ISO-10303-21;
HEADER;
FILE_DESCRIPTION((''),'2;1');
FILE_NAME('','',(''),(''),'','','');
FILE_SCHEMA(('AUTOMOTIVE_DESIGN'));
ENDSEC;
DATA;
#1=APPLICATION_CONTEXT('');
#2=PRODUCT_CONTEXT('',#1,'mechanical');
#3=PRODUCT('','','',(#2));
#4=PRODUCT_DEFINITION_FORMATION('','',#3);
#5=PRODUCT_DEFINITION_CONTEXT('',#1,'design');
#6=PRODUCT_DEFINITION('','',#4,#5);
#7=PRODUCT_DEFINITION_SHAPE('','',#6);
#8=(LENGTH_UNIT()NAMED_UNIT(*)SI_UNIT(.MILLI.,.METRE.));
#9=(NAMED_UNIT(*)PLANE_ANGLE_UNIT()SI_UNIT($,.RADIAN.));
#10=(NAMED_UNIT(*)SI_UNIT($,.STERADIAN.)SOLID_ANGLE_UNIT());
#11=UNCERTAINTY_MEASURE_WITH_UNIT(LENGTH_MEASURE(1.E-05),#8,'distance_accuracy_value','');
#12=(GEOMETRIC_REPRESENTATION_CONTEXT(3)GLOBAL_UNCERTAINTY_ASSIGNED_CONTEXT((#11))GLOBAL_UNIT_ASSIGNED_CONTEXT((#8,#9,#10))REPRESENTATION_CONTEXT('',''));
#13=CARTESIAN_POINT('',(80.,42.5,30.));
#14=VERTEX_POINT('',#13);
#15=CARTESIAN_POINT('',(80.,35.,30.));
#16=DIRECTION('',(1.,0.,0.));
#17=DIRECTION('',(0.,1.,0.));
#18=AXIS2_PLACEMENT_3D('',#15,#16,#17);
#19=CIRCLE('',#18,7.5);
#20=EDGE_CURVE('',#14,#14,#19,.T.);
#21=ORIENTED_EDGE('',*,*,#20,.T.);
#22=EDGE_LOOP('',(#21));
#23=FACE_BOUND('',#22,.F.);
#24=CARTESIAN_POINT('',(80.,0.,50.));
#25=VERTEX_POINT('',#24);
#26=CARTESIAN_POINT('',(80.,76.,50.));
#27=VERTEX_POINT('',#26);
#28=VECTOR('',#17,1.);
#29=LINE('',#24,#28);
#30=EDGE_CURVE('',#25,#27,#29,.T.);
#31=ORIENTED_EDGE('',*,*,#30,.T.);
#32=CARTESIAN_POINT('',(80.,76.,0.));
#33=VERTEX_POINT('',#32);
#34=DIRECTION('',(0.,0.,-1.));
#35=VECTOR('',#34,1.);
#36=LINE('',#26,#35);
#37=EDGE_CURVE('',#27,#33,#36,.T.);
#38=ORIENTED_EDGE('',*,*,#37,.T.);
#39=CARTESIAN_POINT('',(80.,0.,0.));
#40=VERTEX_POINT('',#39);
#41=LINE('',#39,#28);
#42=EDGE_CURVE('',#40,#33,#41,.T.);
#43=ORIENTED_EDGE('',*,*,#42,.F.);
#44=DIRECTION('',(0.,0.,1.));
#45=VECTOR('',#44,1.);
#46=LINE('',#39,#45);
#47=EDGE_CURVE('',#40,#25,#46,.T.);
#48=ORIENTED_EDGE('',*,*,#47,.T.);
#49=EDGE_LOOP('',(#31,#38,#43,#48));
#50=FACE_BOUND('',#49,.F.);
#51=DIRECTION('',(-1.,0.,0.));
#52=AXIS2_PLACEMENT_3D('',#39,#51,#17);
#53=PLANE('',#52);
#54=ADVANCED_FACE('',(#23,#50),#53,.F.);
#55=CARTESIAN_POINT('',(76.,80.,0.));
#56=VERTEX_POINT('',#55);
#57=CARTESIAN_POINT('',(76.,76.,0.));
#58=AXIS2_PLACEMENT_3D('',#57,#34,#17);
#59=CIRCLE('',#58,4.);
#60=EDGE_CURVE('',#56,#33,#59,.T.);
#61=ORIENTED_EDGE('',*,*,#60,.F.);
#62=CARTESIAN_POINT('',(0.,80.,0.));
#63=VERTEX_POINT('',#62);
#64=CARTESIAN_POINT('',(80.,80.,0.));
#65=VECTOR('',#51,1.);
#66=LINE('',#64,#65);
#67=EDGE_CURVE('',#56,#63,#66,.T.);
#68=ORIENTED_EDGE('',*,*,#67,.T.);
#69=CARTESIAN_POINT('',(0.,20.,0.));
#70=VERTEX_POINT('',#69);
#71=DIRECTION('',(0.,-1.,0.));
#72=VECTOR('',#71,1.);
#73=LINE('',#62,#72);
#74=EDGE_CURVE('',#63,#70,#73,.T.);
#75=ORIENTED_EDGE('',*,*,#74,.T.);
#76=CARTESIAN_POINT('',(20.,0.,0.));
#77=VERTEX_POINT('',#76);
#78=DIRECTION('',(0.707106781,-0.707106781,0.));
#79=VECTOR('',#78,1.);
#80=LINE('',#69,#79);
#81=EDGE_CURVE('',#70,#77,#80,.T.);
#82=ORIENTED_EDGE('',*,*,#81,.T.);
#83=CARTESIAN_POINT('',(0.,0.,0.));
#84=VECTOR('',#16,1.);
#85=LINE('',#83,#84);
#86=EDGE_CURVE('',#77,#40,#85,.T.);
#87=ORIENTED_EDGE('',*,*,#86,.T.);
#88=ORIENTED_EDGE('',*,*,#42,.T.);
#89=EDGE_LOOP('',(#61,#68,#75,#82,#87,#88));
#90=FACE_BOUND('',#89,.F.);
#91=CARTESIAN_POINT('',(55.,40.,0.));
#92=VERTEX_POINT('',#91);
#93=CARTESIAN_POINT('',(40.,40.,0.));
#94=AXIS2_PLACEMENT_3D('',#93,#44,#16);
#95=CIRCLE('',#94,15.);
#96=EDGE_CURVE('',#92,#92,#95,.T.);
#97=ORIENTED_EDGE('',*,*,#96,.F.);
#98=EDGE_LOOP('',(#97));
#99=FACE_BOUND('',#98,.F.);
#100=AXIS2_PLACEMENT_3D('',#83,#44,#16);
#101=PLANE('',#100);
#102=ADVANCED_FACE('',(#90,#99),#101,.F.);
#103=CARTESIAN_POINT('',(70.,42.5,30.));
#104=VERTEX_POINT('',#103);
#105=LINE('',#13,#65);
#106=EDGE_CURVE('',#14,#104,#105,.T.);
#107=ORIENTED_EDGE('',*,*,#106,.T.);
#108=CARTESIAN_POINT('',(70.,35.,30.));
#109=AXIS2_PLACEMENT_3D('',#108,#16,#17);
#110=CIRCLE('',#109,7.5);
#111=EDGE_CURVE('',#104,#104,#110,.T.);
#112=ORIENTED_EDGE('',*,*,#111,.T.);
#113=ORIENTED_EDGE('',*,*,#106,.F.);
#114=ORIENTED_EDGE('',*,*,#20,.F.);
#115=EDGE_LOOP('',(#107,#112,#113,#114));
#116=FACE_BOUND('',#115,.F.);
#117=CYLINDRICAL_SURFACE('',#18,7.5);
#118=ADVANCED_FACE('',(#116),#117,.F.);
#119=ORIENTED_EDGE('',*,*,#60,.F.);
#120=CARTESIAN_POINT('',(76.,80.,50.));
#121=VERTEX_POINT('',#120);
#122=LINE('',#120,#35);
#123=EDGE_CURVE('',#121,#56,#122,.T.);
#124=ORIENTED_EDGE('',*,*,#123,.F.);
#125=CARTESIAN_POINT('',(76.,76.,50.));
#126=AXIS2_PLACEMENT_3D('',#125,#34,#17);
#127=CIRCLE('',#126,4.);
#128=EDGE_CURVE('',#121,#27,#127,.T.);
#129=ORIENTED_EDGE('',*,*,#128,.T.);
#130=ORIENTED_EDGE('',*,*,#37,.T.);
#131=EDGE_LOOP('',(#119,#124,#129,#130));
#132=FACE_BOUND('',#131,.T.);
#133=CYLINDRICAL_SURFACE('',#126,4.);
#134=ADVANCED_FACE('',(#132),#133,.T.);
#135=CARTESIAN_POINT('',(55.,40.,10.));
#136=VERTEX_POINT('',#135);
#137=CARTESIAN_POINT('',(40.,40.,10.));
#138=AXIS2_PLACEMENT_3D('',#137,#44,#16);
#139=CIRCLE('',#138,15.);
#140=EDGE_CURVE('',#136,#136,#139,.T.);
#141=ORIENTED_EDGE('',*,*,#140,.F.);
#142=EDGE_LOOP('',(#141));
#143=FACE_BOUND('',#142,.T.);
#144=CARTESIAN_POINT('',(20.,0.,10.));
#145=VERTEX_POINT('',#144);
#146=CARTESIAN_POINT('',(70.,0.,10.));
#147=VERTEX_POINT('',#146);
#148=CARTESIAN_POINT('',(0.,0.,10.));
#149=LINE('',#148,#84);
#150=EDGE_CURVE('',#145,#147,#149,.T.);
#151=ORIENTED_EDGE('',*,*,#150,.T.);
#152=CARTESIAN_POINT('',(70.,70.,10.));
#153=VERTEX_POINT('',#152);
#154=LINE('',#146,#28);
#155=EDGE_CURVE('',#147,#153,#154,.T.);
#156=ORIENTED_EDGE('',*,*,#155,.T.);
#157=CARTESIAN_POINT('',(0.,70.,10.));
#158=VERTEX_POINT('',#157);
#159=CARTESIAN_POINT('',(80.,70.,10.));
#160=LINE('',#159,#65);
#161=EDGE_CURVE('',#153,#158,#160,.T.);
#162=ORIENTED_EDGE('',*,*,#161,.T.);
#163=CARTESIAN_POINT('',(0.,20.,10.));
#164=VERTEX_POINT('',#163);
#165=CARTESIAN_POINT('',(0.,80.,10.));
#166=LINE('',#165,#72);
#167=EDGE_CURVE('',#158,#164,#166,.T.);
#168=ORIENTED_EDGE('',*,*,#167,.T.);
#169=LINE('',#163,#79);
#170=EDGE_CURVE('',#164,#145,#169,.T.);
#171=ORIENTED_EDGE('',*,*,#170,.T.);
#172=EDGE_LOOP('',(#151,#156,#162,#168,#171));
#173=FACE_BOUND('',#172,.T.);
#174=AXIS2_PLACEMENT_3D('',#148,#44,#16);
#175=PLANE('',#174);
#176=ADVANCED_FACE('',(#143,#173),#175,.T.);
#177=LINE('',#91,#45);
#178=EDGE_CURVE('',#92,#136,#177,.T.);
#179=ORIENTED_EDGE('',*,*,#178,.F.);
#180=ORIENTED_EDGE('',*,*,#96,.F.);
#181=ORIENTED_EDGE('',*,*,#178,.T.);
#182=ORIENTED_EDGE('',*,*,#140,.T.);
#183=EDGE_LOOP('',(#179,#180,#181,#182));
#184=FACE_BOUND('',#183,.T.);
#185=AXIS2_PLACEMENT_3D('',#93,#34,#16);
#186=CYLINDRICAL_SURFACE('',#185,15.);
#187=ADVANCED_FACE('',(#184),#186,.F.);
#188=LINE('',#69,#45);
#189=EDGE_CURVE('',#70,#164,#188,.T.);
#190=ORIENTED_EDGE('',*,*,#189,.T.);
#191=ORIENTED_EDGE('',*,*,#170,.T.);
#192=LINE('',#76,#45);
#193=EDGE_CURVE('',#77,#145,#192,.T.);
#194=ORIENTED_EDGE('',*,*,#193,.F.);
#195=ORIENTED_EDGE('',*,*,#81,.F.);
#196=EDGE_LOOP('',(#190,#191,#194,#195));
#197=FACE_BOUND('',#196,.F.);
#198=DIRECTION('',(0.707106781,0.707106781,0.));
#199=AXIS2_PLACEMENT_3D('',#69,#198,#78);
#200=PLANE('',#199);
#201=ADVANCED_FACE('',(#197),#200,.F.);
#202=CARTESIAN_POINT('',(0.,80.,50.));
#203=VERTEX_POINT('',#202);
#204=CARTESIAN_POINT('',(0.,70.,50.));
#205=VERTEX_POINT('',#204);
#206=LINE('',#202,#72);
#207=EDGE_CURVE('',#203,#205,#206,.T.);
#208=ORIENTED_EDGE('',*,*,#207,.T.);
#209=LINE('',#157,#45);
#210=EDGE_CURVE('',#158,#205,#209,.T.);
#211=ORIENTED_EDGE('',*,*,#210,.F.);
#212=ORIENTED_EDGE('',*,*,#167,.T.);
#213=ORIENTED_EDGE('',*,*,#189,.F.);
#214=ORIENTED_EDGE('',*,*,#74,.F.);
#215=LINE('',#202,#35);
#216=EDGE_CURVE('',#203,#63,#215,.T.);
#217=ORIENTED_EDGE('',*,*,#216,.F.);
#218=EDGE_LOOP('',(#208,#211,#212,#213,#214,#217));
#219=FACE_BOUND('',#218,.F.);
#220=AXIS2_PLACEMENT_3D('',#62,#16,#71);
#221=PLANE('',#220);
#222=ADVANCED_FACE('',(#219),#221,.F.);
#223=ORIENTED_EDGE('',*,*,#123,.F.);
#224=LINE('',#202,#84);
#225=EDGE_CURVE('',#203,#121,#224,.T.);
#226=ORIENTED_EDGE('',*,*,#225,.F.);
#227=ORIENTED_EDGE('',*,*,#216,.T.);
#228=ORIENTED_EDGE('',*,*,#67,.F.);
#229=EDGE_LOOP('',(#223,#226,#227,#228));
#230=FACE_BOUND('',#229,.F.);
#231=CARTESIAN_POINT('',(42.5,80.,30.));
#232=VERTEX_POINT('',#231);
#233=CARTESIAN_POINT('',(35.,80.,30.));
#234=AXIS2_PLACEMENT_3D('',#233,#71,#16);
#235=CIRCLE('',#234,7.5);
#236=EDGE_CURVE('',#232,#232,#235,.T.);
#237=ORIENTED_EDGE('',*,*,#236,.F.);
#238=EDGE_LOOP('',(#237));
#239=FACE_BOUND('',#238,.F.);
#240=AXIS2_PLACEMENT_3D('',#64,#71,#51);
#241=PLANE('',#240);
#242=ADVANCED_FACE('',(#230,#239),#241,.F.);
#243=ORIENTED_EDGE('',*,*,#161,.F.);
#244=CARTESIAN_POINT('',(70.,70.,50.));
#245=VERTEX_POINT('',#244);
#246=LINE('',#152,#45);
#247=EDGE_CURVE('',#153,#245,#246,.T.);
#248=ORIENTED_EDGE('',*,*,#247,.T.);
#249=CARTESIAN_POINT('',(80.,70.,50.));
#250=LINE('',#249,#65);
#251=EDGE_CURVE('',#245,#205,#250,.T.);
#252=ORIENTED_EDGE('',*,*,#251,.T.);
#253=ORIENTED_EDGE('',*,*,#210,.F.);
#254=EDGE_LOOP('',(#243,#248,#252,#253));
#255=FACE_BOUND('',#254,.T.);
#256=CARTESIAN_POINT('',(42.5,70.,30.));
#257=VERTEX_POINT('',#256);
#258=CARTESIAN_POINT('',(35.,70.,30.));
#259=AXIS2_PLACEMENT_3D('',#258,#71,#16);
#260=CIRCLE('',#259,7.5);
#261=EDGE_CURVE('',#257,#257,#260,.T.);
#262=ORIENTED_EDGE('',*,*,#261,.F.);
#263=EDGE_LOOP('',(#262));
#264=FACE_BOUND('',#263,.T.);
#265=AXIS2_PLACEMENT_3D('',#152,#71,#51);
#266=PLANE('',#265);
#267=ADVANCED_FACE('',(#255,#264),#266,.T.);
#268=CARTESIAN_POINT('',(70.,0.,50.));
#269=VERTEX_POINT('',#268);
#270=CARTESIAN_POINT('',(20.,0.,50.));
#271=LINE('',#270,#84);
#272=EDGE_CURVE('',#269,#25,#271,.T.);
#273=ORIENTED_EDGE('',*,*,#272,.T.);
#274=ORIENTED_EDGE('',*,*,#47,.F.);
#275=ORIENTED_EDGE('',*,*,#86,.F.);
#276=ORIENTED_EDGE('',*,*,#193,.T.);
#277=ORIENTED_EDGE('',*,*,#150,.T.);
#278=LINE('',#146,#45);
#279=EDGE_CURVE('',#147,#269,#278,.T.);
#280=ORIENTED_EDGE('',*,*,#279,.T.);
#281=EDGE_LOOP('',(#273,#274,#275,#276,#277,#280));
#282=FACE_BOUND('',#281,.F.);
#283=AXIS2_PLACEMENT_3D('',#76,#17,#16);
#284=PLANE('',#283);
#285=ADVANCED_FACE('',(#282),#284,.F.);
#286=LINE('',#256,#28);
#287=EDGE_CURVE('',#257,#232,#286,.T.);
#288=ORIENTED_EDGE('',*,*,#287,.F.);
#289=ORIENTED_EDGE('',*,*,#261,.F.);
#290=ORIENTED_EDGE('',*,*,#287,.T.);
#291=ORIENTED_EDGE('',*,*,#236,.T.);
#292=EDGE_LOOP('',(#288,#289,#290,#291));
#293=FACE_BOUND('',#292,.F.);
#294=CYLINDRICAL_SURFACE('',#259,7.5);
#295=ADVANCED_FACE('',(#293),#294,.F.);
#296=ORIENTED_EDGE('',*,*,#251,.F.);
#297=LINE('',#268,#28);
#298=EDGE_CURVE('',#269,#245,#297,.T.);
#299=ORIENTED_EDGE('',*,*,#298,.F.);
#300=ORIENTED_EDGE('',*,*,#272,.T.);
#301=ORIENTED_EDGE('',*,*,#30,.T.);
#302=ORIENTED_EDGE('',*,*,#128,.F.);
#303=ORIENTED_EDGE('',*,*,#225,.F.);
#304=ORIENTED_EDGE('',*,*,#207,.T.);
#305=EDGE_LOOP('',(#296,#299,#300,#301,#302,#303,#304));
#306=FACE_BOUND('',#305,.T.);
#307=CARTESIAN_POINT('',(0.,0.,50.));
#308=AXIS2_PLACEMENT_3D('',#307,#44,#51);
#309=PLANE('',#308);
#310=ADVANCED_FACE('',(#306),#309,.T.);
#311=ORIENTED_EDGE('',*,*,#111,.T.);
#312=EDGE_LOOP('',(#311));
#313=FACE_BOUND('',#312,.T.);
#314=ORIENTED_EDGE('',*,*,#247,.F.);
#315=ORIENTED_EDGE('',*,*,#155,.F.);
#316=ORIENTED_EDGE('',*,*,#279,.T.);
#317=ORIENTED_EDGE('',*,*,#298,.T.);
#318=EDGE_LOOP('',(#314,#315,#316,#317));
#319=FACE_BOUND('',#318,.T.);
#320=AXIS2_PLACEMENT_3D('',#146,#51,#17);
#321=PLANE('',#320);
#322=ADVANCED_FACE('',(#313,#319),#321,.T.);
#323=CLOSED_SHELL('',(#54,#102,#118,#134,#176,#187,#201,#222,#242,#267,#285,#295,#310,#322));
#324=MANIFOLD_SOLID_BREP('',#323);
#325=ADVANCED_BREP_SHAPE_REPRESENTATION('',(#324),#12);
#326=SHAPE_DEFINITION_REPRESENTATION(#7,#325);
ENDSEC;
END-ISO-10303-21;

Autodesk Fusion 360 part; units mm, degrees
sketch "Sketch1" plane through (0, 0, 0) normal (0, 0, 1) x (1, 0, 0)
  line L0 (0, 0) -> (80, 0)
  line L1 (80, 0) -> (80, 80)
  line L2 (80, 80) -> (0, 80)
  line L3 (0, 80) -> (0, 0)
  line L4 (0, 20) -> (20, 0)
  circle A0 centre (40, 40) radius 15
  dimension "d1" = 80
  dimension "d2" = 80
  dimension "d3" = 20
  dimension "d4" = 20
  dimension "d5" = 30
  dimension "d6" = 40
  dimension "d7" = 40
extrude "Extrude1" add sketch "Sketch1" along normal blind 10 contours L0 L1 L2 L3 L4
sketch "Sketch2" plane through (0, 0, 10) normal (0, 0, 1) x (-1, 0, 0)
  circle A0 centre (-40, -40) radius 15
  line L0 (0, -20) -> (-20, 0)
  line L1 (-20, 0) -> (-80, 0)
  line L2 (-80, 0) -> (-80, -80)
  line L3 (-80, -80) -> (0, -80)
  line L4 (0, -80) -> (0, -20)
  line L5 (0, -80) -> (-80, -80)
  line L6 (-80, -80) -> (-80, -70)
  line L7 (-80, -70) -> (0, -70)
  line L8 (0, -70) -> (0, -80)
  line L9 (-80, 0) -> (-70, 0)
  line L10 (-70, 0) -> (-70, -80)
  line L11 (-70, -80) -> (-80, -80)
  line L12 (-80, -80) -> (-80, 0)
  dimension "d10" = 10
  dimension "d11" = 10
extrude "Extrude2" add sketch "Sketch2" along normal blind 40 contours L3 L4 L5 L7 L8 L10 | L1 L2 L7 L9 L10 L12 | L2 L3 L5 L6 L7 L10 L11 L12
fillet "Fillet1" radius 4 1 edges at (80, 80, 25)
sketch "Sketch3" plane through (80, 0, 0) normal (1, 0, 0) x (0, 1, 0)
  line L0 (76, 0) -> (76, 50)
  line L1 (76, 50) -> (0, 50)
  line L2 (0, 50) -> (0, 0)
  line L3 (0, 0) -> (76, 0)
  circle A0 centre (35, 30) radius 7.5
  line L4 (0, 10) -> (70, 10)
  dimension "d16" = 15
  dimension "d17" = 35
  dimension "d18" = 20
extrude "Extrude3" cut sketch "Sketch3" against normal blind 10 contours A0
sketch "Sketch5" plane through (0, 70, 0) normal (0, -1, 0) x (1, 0, 0)
  line L0 (0, 10) -> (70, 10)
  line L1 (70, 10) -> (70, 50)
  line L2 (70, 50) -> (0, 50)
  line L3 (0, 50) -> (0, 10)
  circle A0 centre (35, 30) radius 7.5
  dimension "d24" = 15
  dimension "d25" = 35
  dimension "d26" = 20
extrude "Extrude4" cut sketch "Sketch5" against normal blind 10 contours A0
sketch "Sketch6" plane through (0, 0, 10) normal (0, 0, 1) x (-1, 0, 0)
  line L0 (-70, -70) -> (0, -70)
  line L1 (0, -70) -> (0, -20)
  line L2 (0, -20) -> (-20, 0)
  line L3 (-20, 0) -> (-70, 0)
  line L4 (-70, 0) -> (-70, -70)
  circle A0 centre (-40, -40) radius 15
sketch "Sketch4" plane through (0, 70, 0) normal (0, -1, 0) x (1, 0, 0)
  line L0 (0, 10) -> (70, 10)
  line L1 (70, 10) -> (70, 50)
  line L2 (70, 50) -> (0, 50)
  line L3 (0, 50) -> (0, 10)
  circle A0 centre (35, 30) radius 7.5
  dimension "d21" = 15
  dimension "d22" = 35
  dimension "d23" = 20
